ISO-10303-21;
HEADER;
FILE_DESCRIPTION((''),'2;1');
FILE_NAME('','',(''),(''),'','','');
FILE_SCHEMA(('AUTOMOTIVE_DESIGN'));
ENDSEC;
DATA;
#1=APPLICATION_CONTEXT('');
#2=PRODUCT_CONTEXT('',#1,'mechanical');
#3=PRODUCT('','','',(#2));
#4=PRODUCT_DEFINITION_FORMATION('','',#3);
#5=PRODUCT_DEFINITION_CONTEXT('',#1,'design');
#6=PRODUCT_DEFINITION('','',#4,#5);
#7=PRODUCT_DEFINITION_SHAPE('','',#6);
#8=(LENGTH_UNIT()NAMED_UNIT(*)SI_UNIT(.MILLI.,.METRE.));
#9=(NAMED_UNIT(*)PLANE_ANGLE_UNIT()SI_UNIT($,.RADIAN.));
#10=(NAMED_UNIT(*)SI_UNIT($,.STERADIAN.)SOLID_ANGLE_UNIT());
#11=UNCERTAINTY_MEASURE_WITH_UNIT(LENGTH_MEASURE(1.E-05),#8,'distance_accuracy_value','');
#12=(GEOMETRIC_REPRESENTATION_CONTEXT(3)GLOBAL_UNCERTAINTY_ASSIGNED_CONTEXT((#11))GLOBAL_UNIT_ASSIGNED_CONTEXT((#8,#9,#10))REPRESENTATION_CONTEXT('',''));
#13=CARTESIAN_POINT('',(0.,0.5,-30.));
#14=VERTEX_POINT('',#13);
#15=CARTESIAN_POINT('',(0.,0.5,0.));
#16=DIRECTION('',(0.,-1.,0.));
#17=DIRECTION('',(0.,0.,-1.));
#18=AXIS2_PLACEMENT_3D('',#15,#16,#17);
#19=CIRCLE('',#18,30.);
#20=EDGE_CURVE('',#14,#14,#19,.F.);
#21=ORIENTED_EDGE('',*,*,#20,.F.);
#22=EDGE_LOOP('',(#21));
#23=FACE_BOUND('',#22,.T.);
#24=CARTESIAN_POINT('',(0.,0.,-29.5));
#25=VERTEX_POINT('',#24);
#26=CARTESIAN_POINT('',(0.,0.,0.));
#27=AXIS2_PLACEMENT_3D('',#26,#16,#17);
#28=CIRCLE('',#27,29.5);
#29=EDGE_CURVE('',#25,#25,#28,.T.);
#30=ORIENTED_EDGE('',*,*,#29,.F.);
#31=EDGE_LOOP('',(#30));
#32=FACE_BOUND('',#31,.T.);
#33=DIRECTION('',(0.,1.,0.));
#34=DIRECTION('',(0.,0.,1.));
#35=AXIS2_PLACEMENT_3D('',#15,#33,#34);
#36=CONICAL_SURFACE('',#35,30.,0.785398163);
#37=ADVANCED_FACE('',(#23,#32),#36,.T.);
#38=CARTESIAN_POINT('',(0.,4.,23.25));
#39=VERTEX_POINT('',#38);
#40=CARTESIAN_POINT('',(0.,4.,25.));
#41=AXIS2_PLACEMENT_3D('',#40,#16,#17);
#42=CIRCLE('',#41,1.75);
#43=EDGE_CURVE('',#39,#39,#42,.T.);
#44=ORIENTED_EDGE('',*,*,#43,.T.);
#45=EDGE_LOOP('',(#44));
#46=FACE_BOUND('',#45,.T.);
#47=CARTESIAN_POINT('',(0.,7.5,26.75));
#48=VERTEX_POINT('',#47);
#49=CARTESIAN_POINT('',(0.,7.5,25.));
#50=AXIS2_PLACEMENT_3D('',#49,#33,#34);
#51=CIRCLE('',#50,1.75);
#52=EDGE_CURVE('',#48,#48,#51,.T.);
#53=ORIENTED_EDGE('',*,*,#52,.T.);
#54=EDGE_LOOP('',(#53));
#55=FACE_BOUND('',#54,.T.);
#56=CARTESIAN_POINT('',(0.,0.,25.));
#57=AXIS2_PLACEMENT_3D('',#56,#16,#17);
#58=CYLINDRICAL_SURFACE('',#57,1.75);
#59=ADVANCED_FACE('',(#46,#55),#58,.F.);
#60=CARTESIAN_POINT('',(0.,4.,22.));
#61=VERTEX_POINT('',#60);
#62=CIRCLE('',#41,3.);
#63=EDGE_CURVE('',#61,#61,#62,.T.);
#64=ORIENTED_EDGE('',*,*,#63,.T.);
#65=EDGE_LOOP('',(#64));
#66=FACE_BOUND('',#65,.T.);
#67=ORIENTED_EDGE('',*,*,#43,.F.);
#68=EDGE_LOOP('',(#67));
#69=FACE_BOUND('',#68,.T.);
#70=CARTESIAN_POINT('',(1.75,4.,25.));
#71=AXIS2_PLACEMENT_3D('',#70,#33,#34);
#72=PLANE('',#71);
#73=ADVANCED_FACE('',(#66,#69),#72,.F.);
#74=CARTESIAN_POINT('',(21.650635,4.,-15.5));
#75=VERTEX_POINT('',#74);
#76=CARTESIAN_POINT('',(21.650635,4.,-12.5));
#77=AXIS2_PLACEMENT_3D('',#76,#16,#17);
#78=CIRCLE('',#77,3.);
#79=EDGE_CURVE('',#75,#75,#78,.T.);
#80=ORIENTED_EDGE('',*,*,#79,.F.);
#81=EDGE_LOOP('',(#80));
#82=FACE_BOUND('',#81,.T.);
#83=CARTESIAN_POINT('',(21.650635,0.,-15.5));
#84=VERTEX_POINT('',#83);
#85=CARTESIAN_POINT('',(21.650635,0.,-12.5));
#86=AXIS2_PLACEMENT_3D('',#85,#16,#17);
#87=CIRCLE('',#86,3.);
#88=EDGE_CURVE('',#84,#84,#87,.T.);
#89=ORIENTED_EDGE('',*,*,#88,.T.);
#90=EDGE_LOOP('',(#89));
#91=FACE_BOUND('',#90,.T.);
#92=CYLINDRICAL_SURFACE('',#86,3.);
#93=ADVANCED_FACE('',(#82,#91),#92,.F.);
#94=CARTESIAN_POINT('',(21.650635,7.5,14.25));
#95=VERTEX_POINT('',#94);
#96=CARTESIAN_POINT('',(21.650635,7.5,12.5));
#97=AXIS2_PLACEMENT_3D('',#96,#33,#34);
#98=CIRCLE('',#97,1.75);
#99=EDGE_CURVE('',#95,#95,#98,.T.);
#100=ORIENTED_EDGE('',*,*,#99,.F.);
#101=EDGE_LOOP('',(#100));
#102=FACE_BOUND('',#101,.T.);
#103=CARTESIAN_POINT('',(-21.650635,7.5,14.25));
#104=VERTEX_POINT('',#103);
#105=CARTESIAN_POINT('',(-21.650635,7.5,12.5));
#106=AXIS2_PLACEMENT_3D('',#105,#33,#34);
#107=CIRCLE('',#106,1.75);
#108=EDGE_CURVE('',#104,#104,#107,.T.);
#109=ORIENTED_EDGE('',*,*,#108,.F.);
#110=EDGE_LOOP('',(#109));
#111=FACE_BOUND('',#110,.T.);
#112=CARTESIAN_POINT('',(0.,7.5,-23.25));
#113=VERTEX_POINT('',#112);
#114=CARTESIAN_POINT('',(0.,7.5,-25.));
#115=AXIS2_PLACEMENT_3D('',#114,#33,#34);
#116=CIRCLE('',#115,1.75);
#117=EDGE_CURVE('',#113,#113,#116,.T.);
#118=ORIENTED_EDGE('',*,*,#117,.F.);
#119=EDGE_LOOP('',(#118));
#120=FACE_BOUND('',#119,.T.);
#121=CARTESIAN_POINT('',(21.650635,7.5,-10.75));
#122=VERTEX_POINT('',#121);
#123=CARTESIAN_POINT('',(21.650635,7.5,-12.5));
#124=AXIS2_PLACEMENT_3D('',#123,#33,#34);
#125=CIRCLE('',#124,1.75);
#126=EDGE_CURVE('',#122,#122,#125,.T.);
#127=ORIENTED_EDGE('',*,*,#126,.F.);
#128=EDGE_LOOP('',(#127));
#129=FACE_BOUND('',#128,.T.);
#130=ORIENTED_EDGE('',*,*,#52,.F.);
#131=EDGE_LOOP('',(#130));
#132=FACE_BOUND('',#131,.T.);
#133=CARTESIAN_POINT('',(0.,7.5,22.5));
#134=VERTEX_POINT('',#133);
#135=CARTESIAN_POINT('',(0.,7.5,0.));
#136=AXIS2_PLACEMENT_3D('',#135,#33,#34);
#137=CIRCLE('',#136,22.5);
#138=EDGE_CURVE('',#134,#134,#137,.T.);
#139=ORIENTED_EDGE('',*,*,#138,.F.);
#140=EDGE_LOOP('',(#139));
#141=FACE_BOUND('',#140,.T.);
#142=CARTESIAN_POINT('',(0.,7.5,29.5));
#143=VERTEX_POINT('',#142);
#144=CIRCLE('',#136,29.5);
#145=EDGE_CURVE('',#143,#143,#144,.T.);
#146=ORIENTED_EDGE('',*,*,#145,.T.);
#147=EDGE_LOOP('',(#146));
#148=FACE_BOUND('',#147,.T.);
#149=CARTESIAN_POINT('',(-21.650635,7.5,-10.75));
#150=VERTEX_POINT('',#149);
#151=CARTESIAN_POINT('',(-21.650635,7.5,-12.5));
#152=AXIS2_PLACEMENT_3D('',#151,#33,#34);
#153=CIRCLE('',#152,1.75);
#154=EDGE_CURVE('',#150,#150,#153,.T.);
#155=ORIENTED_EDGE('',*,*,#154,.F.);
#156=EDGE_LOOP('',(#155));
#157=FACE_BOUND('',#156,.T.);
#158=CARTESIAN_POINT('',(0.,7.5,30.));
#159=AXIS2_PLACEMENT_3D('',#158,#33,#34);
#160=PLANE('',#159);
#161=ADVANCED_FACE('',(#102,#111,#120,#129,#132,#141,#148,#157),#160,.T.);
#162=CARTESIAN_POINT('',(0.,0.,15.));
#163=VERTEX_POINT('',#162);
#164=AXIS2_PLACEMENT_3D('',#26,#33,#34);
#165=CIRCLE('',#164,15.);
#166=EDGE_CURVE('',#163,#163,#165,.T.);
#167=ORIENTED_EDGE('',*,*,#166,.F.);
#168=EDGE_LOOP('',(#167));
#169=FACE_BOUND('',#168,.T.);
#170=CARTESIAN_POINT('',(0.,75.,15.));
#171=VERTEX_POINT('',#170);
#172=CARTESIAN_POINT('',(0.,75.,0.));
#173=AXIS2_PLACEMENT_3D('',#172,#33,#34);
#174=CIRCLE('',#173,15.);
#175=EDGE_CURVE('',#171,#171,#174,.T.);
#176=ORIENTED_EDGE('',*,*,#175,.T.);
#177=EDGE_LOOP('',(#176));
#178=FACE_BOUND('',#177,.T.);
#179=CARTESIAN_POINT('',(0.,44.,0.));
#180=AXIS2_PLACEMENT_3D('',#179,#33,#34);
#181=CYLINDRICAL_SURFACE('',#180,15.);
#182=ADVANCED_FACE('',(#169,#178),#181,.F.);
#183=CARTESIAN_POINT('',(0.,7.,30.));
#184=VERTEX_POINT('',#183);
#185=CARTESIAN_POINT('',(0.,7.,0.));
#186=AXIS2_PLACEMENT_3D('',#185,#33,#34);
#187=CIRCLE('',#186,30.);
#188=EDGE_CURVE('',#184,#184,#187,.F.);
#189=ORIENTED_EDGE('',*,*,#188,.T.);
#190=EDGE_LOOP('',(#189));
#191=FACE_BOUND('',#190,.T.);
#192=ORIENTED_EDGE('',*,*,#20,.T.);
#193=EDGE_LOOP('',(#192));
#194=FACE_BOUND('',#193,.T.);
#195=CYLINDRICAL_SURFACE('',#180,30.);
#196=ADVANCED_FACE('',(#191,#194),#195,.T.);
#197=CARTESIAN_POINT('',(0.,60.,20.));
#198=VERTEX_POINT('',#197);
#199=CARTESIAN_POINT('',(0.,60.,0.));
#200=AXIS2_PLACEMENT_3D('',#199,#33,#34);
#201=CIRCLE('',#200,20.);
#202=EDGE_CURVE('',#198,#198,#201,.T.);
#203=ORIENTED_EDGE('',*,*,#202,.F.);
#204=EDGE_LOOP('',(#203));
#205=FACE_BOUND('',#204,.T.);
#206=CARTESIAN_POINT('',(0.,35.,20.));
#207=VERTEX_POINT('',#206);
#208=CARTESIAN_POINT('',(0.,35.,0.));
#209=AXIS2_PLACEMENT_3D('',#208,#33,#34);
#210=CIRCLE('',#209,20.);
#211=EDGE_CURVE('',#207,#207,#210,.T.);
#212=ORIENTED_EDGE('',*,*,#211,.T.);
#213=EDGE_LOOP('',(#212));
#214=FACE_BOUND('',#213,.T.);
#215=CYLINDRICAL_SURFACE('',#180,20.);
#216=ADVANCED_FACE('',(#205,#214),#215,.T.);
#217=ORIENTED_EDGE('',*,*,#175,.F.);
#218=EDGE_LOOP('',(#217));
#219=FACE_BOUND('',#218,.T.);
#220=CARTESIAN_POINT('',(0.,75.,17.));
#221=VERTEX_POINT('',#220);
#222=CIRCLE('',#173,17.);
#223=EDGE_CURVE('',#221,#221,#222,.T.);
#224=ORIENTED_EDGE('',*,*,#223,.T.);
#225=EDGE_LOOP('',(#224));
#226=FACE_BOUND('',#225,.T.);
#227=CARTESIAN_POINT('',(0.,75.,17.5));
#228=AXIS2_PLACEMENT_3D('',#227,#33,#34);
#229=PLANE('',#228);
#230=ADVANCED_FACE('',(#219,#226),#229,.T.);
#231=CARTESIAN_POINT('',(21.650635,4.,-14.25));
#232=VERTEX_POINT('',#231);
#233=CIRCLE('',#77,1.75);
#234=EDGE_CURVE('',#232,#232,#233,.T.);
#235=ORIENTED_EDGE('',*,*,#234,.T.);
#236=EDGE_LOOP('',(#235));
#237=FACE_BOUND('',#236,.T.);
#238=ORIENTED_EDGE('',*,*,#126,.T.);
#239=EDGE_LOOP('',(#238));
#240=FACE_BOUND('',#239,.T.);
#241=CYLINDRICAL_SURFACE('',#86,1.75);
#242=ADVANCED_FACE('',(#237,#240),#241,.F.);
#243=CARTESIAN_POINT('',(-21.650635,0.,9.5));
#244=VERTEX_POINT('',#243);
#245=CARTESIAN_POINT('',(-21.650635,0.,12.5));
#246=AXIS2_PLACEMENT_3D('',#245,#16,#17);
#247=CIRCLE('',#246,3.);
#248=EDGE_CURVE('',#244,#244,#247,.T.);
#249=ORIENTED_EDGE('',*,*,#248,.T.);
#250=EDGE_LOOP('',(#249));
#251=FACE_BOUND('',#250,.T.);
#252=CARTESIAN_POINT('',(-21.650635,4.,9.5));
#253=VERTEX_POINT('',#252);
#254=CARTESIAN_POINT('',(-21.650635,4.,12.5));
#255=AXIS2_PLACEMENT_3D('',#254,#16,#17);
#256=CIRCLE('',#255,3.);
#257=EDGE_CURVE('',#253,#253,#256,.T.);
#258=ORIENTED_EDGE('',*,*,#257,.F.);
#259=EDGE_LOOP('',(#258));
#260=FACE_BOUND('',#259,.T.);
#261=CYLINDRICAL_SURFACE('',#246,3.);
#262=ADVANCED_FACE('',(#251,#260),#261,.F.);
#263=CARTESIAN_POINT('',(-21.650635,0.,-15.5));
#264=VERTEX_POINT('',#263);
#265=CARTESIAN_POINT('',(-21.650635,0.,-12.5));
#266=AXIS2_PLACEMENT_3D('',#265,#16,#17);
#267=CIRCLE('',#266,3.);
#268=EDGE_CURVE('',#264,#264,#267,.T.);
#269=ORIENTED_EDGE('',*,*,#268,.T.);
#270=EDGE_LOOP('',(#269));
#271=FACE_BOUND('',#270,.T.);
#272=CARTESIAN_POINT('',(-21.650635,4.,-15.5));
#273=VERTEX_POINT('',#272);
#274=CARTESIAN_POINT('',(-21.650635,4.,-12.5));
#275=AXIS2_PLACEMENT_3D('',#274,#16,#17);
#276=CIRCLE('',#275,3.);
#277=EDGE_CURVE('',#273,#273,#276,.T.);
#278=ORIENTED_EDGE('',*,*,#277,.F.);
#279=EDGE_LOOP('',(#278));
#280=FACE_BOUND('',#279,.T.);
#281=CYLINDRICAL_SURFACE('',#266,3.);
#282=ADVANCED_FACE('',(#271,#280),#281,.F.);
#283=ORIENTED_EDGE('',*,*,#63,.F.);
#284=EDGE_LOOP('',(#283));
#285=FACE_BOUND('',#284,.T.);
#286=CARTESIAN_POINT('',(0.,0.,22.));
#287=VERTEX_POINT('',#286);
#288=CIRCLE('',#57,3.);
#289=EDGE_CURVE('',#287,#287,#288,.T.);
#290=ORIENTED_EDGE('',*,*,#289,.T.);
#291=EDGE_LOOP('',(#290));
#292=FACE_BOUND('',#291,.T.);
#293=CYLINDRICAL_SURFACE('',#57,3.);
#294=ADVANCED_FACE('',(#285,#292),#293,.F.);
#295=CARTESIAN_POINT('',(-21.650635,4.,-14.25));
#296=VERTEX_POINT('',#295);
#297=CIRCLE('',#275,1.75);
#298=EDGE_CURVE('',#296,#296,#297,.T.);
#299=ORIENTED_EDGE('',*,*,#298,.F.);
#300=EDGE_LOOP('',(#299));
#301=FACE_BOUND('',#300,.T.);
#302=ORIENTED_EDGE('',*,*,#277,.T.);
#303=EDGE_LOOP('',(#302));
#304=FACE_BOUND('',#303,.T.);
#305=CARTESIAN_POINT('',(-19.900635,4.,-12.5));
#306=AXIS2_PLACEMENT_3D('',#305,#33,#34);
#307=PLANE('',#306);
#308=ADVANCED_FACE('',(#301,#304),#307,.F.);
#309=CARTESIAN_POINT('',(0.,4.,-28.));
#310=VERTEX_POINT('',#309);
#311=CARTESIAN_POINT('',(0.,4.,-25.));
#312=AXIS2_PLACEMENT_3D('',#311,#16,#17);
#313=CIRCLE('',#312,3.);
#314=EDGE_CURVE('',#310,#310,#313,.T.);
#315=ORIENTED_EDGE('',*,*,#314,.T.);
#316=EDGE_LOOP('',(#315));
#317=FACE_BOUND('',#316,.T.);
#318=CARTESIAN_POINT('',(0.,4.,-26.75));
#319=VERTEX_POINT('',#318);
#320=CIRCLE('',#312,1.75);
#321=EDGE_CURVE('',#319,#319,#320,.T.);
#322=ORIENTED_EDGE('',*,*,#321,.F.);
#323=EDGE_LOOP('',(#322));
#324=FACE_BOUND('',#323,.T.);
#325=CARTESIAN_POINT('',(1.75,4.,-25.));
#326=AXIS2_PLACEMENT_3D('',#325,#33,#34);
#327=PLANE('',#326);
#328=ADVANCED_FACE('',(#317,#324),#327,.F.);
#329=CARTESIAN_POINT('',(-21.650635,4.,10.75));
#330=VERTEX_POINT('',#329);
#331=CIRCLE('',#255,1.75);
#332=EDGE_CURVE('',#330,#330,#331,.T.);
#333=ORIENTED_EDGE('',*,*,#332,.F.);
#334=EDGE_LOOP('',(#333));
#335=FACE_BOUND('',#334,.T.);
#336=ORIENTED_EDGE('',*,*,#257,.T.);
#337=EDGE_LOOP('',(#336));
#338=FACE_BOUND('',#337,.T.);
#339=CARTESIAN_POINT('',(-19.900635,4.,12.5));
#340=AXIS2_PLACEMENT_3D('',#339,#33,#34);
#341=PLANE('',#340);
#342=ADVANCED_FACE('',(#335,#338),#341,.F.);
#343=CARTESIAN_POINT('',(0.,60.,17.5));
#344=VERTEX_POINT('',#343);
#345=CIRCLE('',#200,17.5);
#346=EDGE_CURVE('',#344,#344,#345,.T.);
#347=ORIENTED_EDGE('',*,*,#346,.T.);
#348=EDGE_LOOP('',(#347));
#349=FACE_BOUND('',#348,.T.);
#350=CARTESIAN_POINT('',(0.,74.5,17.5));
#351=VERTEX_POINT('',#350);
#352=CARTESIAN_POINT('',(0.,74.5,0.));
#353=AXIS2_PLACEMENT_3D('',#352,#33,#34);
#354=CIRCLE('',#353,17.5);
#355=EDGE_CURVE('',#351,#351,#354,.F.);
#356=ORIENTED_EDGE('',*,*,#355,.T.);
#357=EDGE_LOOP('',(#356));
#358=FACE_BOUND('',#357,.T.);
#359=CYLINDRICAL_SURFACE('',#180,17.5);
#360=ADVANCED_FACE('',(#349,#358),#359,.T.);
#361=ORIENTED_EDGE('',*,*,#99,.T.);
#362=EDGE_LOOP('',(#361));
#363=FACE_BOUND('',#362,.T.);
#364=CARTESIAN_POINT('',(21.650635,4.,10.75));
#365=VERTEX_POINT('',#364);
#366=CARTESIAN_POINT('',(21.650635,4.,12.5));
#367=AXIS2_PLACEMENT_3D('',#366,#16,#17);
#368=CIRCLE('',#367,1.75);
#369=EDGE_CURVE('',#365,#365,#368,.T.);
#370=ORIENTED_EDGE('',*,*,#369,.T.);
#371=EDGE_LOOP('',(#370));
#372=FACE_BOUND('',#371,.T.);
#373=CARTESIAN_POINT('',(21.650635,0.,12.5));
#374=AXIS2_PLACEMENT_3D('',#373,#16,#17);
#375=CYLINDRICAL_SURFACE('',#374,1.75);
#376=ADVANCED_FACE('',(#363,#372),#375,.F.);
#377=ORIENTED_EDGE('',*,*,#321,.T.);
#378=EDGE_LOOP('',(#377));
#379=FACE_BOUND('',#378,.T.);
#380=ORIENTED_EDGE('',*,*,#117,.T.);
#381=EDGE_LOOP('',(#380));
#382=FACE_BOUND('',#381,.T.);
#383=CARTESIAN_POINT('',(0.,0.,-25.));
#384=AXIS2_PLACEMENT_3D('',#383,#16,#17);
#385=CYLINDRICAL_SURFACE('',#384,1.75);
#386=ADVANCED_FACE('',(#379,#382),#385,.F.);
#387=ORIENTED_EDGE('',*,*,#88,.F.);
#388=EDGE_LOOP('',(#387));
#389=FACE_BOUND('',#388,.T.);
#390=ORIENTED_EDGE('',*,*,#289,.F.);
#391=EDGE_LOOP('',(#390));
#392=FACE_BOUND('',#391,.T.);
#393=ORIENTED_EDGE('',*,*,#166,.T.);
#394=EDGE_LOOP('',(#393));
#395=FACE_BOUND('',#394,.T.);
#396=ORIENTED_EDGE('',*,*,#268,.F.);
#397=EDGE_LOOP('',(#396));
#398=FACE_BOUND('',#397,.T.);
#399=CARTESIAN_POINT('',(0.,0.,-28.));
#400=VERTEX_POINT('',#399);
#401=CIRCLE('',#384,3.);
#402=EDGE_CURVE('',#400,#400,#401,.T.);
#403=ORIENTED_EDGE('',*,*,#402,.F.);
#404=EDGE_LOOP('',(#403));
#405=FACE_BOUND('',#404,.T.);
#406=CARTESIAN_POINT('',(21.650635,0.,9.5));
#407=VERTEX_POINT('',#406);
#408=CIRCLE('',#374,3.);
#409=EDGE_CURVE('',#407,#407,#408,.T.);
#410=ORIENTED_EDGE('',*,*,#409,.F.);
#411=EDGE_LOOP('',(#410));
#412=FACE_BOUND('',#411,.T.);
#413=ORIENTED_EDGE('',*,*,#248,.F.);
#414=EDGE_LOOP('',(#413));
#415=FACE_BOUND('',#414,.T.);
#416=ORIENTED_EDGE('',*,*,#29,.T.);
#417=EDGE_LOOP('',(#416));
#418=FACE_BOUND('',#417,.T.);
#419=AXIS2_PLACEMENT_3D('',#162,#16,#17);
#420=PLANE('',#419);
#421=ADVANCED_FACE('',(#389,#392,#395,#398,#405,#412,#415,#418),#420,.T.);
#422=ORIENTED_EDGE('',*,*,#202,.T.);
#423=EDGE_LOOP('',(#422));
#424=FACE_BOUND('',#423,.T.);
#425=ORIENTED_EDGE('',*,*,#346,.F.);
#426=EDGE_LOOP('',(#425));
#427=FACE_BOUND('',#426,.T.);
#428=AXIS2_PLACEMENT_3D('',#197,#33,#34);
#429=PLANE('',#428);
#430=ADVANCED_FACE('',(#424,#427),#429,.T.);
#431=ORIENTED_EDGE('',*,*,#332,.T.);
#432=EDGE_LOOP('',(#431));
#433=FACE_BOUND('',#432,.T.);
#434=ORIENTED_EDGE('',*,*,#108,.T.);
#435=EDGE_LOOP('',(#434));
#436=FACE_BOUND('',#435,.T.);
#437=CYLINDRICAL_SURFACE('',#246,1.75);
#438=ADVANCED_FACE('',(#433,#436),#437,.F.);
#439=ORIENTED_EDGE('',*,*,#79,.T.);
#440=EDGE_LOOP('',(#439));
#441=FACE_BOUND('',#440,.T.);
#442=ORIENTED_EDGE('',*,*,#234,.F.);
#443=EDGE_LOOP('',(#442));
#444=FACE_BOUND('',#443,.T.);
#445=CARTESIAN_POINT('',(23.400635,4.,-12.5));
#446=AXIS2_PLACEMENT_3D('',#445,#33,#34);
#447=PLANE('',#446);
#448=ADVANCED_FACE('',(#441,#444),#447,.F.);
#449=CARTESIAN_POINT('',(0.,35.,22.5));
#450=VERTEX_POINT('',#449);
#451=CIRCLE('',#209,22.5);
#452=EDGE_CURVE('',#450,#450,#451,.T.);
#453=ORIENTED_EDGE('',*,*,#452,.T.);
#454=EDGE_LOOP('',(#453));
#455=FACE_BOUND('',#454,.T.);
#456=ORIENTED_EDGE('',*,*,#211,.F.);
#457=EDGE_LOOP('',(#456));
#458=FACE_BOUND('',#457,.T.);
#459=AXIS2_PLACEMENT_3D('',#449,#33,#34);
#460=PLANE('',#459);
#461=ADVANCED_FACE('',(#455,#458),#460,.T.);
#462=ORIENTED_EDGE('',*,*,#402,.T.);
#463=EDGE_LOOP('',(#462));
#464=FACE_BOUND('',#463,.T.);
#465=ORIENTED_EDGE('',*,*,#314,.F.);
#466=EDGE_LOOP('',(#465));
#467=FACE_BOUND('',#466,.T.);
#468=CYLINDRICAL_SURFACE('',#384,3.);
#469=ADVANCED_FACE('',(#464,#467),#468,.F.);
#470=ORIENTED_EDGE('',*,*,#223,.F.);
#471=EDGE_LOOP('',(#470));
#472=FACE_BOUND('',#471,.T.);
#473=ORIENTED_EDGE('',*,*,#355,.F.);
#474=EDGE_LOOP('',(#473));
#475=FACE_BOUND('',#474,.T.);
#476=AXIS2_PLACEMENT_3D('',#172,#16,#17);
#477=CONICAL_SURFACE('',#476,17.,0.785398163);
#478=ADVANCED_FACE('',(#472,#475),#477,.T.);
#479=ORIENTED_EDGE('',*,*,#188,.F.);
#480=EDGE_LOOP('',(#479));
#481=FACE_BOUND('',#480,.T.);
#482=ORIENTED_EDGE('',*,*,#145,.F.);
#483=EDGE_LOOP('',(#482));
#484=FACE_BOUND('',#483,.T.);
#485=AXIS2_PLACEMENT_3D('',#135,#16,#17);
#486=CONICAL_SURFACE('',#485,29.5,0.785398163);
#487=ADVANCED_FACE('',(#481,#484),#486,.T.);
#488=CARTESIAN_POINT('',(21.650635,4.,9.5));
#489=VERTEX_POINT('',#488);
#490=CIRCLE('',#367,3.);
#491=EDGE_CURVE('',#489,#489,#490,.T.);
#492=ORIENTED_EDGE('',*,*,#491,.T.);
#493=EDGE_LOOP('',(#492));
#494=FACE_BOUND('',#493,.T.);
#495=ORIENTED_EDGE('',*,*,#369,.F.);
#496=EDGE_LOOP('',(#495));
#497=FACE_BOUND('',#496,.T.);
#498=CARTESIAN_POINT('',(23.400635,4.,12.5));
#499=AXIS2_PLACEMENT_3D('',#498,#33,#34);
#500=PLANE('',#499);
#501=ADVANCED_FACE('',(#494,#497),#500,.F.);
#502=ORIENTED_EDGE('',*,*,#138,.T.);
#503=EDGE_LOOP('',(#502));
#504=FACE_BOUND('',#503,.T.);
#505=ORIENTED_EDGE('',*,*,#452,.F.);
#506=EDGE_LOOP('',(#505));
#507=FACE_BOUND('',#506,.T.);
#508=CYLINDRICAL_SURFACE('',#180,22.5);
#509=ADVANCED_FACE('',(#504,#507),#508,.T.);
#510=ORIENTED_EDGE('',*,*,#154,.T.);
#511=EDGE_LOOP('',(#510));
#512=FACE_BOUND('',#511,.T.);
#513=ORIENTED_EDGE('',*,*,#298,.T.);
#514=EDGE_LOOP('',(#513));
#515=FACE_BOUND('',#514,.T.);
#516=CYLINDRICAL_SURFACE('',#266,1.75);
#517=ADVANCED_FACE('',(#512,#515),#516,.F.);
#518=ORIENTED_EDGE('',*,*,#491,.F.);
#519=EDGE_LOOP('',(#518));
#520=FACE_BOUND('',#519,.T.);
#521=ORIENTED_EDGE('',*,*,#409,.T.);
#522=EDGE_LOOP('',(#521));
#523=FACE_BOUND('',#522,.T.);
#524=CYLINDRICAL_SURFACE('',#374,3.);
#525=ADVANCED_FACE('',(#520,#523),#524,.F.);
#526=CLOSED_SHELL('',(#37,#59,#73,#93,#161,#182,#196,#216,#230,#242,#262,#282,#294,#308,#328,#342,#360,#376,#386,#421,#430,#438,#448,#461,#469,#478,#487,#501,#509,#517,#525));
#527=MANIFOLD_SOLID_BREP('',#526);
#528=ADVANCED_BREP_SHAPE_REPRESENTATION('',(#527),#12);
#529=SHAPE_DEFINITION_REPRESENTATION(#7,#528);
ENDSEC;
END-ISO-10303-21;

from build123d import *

# Parameters (mm, degrees)
HOLE_WIZARD_1_D           = 3.5
HOLE_WIZARD_1_CBORE_D     = 6
HOLE_WIZARD_1_CBORE_DEPTH = 4
PATTERN_CIRCULAR_1_COUNT  = 6
CHAMFER_1_SIZE            = 0.5


with BuildPart() as part:
    # 草图1 → 旋转1 (revolve)
    with BuildSketch(Plane(origin=(0, 0, 0), x_dir=(0, 0, -1), z_dir=(1, 0, 0))):
        Polygon((-15, 75), (-15, 0), (-30, 0), (-30, 7.5), (-22.5, 7.5), (-22.5, 35), (-20, 35), (-20, 60), (-17.5, 60), (-17.5, 75), align=None)
    revolve(axis=Axis((0, 44, 0), (0, -1, 0)))

    # 打孔尺寸(%根据)内六角圆柱头螺钉的类型1 (through all)
    with Locations(Plane(origin=(0, 0, 0), x_dir=(-1, 0, 0), z_dir=(0, -1, 0))):
        with Locations((0, -25)):
            hole_wizard_1 = CounterBoreHole(HOLE_WIZARD_1_D / 2, HOLE_WIZARD_1_CBORE_D / 2, HOLE_WIZARD_1_CBORE_DEPTH)

    # 阵列(圆周)1: 打孔尺寸(%根据)内六角圆柱头螺钉的类型1 ×6 about axis
    pattern_circular_1_axis = Axis((0, 0, 0), (0, 1, 0))
    for i in range(1, PATTERN_CIRCULAR_1_COUNT):
        add(hole_wizard_1.rotate(pattern_circular_1_axis, i * 360 / PATTERN_CIRCULAR_1_COUNT), mode=Mode.SUBTRACT)

    # 倒角1
    chamfer_1_edges = [part.edges().sort_by_distance(p)[0] for p in [
        (0, 7.5, -30),
        (0, 0, -30),
        (0, 75, -17.5),
    ]]
    chamfer(chamfer_1_edges, length=CHAMFER_1_SIZE)


solid = part.part
